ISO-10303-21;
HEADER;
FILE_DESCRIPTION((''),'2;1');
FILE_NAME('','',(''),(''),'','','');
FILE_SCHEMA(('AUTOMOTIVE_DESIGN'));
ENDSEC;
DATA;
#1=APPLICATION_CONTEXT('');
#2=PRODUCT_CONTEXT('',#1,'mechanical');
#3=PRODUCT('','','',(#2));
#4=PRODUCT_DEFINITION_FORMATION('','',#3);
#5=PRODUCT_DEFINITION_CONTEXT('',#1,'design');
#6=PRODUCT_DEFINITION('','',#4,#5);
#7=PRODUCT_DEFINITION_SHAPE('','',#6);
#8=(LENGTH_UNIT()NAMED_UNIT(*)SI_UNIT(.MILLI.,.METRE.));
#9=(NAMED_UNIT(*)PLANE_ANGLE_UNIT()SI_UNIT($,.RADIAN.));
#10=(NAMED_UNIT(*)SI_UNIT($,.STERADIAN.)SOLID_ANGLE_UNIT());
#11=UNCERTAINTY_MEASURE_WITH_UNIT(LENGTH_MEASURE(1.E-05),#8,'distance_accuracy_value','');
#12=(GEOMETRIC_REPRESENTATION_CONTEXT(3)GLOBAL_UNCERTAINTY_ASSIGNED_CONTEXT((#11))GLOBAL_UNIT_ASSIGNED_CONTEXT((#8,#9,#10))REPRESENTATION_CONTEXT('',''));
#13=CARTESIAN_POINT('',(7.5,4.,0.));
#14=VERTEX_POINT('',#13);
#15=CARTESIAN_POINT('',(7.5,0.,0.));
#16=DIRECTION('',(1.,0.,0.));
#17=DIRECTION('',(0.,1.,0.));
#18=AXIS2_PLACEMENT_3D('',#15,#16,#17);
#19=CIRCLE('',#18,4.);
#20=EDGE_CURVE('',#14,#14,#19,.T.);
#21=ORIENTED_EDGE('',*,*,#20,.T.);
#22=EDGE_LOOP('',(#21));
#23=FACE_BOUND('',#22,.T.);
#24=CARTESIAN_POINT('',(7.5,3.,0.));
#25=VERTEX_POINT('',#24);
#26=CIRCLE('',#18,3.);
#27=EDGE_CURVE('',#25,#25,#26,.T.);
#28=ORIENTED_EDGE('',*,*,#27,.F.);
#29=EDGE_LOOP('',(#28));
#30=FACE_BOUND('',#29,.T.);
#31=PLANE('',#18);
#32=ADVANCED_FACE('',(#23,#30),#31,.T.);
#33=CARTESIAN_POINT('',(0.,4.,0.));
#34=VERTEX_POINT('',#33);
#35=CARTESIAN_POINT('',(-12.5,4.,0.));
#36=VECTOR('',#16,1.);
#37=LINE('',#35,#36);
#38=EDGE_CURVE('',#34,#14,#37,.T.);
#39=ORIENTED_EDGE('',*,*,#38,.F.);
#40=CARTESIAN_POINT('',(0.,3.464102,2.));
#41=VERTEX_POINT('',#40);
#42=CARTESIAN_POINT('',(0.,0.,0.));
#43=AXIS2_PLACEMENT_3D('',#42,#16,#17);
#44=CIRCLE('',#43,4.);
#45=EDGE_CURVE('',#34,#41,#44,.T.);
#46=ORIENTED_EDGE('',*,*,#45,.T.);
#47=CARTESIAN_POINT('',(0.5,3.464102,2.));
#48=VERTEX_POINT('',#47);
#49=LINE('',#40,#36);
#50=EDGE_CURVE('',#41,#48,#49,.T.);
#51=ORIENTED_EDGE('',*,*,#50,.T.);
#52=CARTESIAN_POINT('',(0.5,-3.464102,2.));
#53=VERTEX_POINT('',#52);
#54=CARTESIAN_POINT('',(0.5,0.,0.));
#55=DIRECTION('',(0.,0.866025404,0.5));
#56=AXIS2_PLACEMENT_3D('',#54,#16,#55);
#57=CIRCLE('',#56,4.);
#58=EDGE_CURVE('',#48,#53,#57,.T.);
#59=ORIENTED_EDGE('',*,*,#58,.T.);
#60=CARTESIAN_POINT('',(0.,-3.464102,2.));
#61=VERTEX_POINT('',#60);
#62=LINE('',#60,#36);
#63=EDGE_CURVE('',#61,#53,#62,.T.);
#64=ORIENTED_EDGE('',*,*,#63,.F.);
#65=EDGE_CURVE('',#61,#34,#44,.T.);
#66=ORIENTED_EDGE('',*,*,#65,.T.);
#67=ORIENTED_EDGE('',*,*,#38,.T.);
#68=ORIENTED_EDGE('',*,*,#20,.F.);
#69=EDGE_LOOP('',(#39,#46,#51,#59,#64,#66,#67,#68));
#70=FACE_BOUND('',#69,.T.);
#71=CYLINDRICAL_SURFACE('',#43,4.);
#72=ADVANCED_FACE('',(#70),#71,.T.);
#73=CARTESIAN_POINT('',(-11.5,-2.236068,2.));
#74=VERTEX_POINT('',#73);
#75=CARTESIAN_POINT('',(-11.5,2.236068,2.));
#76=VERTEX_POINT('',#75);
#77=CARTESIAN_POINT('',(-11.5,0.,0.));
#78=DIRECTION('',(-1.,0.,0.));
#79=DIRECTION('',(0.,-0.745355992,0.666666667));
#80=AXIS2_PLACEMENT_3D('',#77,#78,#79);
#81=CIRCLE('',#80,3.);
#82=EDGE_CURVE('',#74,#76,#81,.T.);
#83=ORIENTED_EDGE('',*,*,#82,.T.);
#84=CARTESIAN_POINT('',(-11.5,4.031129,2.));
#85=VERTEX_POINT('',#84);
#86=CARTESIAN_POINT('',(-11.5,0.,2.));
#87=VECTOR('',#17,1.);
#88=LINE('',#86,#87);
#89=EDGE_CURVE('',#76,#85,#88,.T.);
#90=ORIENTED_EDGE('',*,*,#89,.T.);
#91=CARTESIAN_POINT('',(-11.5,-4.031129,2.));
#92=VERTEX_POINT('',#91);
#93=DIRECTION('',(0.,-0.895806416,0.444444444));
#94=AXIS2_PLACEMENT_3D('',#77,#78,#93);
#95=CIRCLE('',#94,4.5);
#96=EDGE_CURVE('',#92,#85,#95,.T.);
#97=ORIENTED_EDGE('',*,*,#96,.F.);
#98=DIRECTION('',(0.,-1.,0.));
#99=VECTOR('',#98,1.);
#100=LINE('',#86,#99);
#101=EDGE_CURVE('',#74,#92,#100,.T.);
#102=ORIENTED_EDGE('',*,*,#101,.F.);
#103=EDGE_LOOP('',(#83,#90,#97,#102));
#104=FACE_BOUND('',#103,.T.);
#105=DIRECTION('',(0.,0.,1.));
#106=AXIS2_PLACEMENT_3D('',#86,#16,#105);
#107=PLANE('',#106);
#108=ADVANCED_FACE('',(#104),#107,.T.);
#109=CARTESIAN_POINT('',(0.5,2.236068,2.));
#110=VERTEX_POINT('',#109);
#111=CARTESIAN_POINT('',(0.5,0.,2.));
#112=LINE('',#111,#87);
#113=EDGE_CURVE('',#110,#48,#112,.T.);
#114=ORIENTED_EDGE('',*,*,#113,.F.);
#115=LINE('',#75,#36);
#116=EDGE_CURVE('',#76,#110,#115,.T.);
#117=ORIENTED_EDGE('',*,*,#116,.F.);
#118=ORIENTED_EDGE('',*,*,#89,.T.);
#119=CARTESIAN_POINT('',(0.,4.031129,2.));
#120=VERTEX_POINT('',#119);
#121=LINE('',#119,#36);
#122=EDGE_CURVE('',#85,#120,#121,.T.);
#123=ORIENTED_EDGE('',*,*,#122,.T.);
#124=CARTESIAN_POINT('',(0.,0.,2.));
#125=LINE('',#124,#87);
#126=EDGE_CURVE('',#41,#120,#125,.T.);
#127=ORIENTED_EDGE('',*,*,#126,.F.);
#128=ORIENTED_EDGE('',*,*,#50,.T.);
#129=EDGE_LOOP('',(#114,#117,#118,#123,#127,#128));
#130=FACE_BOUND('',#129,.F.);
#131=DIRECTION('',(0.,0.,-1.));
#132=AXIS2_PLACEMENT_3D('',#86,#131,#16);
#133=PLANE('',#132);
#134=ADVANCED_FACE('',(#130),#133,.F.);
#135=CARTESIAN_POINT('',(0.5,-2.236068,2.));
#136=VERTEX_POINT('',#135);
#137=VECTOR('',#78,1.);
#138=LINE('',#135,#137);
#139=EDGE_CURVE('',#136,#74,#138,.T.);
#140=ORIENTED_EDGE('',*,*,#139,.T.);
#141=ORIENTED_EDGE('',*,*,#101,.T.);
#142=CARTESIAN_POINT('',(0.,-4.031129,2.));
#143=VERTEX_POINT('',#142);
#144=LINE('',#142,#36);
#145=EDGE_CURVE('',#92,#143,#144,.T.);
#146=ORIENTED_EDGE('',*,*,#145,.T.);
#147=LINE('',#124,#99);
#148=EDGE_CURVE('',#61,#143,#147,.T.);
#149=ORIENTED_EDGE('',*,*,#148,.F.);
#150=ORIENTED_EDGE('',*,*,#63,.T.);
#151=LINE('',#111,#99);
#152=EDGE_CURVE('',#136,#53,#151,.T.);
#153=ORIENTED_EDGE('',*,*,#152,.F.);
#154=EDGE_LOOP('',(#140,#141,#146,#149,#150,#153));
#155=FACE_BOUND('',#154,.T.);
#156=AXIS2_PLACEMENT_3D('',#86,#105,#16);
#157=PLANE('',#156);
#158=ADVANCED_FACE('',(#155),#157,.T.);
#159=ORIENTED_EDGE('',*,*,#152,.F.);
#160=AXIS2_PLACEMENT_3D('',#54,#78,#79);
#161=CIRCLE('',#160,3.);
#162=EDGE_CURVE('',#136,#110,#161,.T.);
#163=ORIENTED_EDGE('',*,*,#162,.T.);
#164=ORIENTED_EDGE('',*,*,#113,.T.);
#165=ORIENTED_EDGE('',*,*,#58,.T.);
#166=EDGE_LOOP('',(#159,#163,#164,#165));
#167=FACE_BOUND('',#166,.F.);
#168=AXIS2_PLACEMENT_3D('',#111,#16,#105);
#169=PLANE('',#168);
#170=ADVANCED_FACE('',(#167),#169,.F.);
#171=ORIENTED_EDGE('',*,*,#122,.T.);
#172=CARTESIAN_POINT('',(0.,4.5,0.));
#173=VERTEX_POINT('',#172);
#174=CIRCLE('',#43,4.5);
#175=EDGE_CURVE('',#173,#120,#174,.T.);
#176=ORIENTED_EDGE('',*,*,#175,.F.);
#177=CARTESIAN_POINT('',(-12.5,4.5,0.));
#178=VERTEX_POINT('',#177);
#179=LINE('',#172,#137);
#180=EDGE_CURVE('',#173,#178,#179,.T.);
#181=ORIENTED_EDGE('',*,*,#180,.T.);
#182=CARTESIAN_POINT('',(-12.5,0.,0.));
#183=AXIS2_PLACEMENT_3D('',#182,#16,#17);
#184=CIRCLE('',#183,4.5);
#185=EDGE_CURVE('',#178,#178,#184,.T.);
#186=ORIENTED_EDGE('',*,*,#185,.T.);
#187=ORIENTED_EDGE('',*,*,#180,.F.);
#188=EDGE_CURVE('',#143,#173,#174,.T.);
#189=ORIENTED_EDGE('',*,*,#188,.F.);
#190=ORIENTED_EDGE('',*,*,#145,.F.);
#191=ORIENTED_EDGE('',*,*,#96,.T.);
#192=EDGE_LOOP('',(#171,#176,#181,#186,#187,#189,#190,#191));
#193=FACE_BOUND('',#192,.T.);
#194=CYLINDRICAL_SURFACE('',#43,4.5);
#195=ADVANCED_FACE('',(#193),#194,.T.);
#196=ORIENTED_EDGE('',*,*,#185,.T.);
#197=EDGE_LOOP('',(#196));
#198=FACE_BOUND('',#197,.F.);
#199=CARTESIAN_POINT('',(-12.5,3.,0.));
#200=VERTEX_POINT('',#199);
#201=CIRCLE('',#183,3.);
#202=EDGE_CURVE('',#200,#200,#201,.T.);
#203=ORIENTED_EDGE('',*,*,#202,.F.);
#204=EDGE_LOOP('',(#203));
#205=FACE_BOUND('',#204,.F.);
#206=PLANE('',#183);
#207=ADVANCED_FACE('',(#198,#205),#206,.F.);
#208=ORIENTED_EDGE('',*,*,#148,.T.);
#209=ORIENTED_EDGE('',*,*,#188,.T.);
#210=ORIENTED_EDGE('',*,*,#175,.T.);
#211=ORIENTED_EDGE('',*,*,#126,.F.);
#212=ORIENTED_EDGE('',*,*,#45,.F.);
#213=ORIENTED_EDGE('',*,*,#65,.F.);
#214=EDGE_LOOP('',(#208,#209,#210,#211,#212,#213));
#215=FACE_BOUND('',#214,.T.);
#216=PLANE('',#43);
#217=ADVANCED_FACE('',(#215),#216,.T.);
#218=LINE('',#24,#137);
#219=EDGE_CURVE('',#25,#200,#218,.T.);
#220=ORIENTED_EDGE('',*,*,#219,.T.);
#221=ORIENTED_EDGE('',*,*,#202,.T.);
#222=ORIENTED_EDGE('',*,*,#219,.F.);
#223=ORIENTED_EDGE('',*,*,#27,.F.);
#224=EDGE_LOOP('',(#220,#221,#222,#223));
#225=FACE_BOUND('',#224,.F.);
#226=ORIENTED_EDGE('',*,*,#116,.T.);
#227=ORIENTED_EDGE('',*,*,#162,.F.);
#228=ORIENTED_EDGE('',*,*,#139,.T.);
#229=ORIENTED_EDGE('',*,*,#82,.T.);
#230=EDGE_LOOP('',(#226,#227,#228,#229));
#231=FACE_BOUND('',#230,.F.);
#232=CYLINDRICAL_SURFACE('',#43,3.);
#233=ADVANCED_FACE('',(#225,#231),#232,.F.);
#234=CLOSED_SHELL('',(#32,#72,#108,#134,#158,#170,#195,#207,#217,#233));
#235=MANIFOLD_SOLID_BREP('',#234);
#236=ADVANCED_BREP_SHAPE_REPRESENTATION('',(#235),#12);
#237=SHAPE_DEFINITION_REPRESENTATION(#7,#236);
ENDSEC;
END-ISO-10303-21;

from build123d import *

# Parameters (mm, degrees)
F0_R          = 4
F0_R_2        = 3
F1_DEPTH      = 7.5
F1_DEPTH_BACK = 12.5
F0_R_3        = 4.5
F2_DEPTH      = 12.5
F3_W          = 12
F3_H          = 9.086956
F4_DEPTH      = 25
F4_DEPTH_BACK = 25


with BuildPart() as f1:
    # F0 (on Right) → F1 (new body, two sides)
    with BuildSketch(Plane.YZ) as f1_sk:
        Circle(F0_R)
        Circle(F0_R_2, mode=Mode.SUBTRACT)
    extrude(amount=F1_DEPTH)
    extrude(f1_sk.sketch, amount=-F1_DEPTH_BACK)

    # F0 (on Right) → F2 (join)
    with BuildSketch(Plane.YZ):
        Circle(F0_R_3)
        Circle(F0_R, mode=Mode.SUBTRACT)
    extrude(amount=-F2_DEPTH)

    # F3 (on Front) → F4 (cut, two sides)
    with BuildSketch(Plane.XZ) as f4_sk:
        with Locations((-5.5, 6.543478)):
            Rectangle(F3_W, F3_H)
    extrude(amount=F4_DEPTH, mode=Mode.SUBTRACT)
    extrude(f4_sk.sketch, amount=-F4_DEPTH_BACK, mode=Mode.SUBTRACT)


solid = f1.part
